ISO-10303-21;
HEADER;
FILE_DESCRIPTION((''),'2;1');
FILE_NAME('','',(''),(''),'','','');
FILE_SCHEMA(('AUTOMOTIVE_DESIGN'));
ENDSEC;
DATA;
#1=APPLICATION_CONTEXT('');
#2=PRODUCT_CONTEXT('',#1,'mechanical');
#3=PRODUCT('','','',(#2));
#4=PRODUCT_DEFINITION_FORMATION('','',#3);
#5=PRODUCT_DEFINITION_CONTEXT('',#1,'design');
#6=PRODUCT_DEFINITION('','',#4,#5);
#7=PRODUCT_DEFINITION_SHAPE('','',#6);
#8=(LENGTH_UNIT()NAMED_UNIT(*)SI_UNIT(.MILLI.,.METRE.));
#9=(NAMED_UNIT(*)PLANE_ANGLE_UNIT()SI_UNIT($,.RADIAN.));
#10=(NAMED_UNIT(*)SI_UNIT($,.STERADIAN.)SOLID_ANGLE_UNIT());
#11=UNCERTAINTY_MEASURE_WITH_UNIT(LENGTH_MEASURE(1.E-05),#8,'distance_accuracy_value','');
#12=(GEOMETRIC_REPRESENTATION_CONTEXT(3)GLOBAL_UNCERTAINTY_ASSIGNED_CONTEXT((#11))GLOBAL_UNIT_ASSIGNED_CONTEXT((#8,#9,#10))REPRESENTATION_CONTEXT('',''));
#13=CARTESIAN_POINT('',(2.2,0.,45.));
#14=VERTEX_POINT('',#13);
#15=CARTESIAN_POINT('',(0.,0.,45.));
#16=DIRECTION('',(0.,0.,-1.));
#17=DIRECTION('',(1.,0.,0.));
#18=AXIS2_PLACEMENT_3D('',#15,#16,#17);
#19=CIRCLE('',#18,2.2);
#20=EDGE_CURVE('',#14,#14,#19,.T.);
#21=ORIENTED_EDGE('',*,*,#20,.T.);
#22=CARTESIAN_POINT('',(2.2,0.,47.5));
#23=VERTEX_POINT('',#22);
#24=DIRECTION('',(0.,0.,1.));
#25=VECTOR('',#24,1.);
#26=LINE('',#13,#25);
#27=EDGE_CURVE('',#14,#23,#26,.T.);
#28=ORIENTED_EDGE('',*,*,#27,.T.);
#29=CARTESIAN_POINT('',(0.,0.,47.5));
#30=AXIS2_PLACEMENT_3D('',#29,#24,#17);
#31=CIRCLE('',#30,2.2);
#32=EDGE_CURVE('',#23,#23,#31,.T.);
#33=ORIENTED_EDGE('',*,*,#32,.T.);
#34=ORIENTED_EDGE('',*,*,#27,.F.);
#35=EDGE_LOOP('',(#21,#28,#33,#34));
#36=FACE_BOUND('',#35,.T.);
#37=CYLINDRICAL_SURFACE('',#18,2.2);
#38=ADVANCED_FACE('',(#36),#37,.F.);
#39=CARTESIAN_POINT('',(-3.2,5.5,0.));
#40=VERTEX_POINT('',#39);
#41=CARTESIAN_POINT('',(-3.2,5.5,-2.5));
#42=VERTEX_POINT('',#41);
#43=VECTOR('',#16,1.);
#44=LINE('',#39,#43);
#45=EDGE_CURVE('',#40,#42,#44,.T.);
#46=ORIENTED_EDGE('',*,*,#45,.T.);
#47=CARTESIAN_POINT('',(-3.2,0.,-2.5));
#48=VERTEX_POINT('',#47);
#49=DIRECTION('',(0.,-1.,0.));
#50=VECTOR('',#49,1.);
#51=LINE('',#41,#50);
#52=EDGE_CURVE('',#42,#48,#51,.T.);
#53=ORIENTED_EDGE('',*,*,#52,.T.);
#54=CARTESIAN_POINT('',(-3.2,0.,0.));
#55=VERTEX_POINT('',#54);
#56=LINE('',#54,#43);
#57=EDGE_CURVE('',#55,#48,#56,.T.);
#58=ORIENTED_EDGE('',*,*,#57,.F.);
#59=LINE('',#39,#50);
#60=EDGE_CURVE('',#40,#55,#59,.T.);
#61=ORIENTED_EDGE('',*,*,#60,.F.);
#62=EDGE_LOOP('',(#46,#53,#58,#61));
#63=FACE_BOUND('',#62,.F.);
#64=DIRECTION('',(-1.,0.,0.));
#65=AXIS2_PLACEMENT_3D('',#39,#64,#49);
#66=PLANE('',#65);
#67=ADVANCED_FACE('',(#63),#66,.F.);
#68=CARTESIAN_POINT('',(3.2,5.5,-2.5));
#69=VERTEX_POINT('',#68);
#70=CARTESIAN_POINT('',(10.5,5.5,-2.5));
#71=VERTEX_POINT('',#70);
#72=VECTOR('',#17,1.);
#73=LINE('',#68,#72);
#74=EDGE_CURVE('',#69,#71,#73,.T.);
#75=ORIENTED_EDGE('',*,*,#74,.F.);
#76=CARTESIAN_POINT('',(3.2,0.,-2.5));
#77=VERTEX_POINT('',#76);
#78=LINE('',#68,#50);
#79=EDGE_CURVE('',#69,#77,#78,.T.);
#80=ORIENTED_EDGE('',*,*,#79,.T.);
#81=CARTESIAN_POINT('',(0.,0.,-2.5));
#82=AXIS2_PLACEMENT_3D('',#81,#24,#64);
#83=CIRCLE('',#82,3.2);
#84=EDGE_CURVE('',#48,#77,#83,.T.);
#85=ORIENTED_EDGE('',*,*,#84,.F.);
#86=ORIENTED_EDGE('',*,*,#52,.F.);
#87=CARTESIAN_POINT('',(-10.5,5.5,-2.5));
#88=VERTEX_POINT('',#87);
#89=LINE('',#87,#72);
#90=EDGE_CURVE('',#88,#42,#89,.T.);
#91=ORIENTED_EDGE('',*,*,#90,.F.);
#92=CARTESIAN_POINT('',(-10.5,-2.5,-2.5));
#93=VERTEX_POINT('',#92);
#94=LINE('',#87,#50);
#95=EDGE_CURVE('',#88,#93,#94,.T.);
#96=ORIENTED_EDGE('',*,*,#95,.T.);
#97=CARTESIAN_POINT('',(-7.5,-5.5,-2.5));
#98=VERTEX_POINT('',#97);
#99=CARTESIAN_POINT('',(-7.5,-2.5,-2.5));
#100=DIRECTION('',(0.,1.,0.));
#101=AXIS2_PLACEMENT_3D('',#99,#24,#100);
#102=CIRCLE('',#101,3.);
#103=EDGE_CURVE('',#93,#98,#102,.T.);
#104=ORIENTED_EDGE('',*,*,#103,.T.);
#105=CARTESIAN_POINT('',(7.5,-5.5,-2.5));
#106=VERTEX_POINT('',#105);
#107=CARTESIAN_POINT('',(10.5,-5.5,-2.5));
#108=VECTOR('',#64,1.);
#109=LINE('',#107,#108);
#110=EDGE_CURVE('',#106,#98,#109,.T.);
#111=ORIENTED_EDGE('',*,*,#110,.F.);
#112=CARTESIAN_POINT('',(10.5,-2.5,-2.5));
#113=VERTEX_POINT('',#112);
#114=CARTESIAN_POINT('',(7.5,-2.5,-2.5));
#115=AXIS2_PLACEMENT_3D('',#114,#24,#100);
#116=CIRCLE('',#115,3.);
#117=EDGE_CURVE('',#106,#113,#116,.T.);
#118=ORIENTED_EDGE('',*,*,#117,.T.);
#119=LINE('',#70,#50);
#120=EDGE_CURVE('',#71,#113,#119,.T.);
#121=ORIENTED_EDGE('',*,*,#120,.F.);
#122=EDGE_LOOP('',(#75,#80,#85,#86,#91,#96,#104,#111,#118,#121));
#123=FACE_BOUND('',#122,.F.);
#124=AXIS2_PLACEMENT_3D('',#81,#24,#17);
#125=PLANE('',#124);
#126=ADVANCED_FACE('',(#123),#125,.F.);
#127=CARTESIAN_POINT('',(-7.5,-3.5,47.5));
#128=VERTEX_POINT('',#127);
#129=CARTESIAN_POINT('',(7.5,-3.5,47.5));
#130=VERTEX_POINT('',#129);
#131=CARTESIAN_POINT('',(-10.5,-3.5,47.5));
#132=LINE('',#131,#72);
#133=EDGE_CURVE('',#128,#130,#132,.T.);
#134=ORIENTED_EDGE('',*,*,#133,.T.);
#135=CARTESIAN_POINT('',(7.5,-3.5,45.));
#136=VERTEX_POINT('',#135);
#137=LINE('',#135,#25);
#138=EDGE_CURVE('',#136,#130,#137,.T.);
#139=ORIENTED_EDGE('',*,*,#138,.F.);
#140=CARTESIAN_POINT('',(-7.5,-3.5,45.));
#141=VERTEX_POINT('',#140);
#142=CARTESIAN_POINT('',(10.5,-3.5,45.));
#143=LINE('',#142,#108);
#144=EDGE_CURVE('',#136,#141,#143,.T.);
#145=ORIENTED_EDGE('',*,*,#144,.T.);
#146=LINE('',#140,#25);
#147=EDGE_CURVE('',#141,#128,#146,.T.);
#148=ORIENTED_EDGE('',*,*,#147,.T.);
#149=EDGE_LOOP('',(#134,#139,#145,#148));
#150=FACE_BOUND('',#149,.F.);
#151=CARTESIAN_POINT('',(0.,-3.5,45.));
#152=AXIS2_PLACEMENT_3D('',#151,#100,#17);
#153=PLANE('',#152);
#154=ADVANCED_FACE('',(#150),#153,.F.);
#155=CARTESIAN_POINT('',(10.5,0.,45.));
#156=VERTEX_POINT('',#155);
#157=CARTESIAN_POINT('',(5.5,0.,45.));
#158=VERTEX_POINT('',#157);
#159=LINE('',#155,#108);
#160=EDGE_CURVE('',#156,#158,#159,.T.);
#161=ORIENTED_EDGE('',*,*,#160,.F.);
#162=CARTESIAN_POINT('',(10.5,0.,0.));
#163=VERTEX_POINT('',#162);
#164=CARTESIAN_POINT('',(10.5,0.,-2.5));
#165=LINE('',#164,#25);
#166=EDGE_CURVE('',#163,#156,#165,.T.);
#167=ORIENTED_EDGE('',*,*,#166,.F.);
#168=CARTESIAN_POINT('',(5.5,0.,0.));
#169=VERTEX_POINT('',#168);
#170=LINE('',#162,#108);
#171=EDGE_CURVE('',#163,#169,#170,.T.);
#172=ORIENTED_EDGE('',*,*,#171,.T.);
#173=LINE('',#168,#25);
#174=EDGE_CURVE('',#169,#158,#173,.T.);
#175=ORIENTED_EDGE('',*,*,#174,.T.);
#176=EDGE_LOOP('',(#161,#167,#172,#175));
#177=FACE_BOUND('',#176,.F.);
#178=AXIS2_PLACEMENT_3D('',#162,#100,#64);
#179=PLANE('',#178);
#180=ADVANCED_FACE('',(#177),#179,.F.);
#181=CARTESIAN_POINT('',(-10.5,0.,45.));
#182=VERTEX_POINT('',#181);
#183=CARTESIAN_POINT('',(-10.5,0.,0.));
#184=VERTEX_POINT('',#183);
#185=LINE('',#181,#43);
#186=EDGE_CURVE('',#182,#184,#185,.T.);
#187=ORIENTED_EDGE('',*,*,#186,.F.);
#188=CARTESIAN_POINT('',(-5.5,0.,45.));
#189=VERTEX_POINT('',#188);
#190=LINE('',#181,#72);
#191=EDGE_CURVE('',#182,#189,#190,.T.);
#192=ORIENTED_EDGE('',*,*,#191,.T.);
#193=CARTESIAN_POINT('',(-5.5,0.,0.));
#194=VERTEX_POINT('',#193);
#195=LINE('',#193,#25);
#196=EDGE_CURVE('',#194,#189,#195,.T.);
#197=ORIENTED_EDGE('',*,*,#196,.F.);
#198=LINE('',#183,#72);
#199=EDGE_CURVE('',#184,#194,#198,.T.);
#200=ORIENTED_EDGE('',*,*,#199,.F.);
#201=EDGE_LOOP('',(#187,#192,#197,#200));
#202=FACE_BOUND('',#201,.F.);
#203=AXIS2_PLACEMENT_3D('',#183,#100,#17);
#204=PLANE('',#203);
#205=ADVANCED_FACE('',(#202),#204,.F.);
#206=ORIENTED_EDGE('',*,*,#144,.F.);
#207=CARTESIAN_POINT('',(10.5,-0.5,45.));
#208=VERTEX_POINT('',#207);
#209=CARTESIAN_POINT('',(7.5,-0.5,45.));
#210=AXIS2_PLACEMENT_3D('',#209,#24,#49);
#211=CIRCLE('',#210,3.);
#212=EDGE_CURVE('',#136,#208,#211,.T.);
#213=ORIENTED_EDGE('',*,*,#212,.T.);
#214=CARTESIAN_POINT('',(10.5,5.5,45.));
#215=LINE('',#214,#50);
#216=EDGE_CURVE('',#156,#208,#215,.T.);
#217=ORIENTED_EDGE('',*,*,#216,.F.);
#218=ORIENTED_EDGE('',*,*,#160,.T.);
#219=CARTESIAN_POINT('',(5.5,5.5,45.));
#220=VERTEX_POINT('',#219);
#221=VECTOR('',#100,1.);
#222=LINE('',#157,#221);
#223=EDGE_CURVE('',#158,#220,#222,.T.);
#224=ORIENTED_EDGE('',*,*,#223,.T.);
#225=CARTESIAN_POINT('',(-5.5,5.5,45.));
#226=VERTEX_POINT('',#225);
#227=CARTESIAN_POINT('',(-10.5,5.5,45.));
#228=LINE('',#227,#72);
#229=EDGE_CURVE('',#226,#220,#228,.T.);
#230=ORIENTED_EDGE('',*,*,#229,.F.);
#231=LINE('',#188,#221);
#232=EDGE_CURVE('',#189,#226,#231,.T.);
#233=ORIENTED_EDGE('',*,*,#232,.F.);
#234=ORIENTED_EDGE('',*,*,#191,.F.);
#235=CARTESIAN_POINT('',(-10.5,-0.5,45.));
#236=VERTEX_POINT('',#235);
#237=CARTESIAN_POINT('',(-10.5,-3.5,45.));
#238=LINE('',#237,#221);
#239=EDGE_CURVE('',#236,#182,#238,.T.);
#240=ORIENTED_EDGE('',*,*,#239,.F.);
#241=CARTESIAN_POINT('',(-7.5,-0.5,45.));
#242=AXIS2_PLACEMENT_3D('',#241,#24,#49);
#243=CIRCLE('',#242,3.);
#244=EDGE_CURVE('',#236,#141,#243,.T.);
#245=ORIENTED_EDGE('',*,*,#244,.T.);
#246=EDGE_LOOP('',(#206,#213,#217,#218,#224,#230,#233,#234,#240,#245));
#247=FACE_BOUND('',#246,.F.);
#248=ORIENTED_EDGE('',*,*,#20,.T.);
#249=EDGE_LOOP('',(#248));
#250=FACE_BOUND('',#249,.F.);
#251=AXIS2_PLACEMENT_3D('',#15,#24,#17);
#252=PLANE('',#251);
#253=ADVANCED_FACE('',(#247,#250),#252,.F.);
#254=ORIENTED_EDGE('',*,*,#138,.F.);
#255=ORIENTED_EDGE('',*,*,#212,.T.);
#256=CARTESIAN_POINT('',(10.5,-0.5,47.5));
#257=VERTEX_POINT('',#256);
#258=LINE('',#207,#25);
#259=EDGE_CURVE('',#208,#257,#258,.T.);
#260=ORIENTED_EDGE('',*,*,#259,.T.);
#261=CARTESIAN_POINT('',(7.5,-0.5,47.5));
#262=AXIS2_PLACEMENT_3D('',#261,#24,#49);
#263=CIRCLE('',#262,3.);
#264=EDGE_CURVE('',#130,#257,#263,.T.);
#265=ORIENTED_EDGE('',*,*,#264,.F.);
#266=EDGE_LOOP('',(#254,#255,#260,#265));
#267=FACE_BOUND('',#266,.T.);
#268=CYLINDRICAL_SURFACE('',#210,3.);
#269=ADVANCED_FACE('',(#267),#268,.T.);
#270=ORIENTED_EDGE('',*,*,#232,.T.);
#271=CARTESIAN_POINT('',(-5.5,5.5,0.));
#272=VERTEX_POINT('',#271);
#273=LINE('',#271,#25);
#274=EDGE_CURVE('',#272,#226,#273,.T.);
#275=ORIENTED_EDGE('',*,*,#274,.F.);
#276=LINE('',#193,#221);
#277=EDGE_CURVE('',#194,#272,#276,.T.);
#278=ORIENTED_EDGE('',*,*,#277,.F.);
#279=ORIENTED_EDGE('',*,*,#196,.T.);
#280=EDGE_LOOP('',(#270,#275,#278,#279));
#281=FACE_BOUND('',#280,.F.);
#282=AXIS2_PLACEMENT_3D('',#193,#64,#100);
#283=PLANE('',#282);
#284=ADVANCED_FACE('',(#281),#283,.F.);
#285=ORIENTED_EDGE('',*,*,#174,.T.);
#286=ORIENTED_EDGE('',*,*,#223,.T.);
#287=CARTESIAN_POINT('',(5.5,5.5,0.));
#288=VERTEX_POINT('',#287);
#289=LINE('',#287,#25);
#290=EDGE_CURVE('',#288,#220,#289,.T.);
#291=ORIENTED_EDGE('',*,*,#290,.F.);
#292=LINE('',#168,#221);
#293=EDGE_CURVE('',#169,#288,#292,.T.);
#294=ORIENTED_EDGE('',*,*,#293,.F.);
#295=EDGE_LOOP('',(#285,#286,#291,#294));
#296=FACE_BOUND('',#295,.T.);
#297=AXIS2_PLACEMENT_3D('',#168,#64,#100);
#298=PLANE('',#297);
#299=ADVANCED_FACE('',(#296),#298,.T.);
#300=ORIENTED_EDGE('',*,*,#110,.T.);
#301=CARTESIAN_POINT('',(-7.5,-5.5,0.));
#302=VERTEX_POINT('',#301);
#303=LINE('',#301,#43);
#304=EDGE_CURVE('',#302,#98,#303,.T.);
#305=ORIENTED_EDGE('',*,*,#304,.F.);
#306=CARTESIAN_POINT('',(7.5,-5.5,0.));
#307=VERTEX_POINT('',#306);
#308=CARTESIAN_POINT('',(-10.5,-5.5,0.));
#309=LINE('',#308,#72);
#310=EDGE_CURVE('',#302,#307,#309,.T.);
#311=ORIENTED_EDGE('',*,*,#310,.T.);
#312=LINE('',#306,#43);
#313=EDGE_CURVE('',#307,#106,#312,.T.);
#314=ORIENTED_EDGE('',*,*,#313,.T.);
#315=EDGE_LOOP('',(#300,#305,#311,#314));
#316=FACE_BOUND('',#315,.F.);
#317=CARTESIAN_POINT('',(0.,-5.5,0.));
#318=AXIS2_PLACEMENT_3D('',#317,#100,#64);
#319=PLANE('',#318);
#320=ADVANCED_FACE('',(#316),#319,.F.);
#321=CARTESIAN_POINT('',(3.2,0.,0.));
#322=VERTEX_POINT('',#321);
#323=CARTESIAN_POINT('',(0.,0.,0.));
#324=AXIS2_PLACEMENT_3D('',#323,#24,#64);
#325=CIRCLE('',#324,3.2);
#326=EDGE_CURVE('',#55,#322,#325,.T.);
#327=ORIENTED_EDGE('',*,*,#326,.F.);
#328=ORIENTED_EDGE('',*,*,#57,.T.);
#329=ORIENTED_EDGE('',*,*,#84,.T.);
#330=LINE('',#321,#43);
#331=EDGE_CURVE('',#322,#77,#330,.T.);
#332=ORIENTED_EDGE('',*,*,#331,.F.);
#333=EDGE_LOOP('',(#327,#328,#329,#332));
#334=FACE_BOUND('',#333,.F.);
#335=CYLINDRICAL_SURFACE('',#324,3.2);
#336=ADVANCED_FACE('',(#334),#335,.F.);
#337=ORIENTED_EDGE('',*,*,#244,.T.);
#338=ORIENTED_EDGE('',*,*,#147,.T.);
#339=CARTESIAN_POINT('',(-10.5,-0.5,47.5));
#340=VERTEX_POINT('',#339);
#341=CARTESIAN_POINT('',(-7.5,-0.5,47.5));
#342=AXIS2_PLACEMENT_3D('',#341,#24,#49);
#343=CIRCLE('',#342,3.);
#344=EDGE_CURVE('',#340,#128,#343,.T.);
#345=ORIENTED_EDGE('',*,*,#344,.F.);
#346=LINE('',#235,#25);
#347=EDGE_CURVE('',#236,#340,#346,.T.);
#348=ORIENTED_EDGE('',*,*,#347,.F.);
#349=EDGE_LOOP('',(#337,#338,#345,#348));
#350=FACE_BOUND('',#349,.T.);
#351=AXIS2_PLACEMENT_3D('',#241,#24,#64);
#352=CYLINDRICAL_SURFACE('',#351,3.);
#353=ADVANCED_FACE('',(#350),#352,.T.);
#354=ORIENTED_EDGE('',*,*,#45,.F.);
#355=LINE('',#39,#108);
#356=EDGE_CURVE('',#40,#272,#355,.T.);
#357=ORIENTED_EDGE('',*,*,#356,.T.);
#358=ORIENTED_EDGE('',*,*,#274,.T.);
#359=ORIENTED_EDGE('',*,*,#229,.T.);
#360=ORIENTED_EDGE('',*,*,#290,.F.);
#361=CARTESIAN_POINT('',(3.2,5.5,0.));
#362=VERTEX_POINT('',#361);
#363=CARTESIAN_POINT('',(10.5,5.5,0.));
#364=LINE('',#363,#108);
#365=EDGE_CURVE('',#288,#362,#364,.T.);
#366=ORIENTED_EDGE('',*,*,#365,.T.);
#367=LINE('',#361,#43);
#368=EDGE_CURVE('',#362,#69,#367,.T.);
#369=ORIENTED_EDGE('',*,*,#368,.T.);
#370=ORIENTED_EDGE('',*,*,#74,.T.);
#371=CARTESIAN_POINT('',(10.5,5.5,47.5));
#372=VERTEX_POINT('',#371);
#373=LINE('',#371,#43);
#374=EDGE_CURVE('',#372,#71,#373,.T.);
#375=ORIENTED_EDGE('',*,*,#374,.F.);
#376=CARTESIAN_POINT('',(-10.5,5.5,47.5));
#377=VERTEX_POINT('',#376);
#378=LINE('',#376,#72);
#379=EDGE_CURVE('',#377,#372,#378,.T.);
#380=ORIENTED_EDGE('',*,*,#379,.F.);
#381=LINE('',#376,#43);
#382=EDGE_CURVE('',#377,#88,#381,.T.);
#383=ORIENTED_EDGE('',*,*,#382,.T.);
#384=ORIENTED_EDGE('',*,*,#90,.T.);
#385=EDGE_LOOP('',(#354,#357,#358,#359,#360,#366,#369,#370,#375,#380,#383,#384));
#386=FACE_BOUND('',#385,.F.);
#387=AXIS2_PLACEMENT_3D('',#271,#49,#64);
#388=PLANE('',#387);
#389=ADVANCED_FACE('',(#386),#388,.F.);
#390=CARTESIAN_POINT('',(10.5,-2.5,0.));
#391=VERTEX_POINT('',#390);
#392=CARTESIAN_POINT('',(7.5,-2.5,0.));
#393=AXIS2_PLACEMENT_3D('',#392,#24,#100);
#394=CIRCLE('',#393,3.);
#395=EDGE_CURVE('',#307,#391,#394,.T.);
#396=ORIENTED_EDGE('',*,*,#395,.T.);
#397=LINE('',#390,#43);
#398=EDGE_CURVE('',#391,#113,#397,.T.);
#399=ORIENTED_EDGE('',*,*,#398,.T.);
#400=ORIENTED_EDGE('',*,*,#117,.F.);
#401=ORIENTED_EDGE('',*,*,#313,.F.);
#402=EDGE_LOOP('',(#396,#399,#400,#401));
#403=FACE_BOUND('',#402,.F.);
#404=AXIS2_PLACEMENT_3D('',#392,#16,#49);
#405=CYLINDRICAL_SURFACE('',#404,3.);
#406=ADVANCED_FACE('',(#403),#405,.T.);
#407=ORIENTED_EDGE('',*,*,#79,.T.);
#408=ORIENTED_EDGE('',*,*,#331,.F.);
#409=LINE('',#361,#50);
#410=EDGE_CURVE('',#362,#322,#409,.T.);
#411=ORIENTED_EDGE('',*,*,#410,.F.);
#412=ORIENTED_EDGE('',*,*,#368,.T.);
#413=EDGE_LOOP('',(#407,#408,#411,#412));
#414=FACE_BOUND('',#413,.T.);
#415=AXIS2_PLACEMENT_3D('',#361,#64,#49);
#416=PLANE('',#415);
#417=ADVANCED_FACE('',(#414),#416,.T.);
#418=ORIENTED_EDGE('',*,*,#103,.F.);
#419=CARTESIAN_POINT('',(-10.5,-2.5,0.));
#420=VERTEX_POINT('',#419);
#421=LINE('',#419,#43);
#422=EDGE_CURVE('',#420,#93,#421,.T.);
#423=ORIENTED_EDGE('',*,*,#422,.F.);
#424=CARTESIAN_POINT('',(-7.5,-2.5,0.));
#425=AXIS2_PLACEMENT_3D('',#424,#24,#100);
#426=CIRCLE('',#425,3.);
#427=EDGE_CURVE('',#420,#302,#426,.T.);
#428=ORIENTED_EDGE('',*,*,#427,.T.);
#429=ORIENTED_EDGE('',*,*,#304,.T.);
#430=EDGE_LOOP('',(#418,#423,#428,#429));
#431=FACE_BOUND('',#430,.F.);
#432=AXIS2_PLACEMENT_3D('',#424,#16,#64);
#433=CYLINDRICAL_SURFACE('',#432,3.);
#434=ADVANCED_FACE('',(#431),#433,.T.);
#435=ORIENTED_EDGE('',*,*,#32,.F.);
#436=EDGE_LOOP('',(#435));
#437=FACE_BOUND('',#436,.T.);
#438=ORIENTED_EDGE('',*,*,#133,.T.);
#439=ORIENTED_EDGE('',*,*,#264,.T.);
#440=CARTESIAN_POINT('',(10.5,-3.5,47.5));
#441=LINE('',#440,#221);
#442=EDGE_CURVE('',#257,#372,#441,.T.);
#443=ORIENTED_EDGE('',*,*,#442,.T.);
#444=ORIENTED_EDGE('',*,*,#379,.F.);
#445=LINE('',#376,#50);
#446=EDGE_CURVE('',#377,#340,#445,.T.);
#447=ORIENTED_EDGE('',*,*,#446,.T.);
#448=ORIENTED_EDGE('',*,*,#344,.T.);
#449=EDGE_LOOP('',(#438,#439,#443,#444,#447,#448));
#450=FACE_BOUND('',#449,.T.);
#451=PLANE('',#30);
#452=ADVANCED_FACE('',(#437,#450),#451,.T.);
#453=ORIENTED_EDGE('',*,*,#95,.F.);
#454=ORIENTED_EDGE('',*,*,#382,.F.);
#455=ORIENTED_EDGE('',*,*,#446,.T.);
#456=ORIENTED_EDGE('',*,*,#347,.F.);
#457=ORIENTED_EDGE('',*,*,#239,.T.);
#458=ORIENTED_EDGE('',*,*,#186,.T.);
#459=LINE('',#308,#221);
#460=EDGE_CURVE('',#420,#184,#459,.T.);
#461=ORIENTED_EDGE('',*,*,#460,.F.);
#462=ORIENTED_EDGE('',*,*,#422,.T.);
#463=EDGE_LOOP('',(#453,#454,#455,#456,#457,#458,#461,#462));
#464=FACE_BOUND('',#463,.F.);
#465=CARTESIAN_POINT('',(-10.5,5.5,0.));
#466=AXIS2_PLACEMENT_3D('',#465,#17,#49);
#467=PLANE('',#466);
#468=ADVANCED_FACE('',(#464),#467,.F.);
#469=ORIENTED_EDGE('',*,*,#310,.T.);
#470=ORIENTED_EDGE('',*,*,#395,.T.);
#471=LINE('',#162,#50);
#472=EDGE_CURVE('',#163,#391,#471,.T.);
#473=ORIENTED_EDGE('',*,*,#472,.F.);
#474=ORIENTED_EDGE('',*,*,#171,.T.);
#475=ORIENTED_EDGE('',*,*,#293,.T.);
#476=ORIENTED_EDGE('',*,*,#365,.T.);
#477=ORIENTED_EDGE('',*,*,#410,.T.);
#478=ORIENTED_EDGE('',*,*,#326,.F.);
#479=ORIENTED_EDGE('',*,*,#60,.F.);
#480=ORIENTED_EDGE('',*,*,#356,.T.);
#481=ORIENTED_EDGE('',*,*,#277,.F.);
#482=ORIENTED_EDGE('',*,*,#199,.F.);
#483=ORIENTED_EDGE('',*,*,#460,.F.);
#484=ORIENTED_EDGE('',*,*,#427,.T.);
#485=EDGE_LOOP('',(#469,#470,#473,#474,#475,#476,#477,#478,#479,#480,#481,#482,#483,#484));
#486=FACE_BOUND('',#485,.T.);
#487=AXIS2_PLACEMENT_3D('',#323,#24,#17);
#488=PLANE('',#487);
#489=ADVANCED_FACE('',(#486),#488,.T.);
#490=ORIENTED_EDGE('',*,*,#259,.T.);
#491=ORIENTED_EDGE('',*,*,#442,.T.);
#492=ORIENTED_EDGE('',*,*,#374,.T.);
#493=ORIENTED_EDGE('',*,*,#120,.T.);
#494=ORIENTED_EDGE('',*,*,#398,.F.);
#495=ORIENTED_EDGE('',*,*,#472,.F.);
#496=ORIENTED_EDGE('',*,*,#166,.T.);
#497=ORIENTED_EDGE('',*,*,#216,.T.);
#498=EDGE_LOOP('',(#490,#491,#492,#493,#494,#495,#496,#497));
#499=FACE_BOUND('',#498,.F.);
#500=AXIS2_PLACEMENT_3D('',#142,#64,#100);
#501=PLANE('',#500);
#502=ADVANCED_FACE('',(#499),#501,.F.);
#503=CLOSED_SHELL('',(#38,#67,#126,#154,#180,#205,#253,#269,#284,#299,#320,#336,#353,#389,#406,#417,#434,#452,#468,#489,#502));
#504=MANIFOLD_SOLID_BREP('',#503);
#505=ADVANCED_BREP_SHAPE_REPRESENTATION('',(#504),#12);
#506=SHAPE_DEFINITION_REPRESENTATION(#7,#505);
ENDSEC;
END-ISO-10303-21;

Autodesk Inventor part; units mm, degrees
ref_plane "YZ Plane" through (0, 0, 0) normal (1, 0, 0) x (0, 1, 0)
ref_plane "XZ Plane" through (0, 0, 0) normal (0, 1, 0) x (-1, 0, 0)
ref_plane "XY Plane" through (0, 0, 0) normal (0, 0, 1) x (1, 0, 0)
sketch "Sketch1" plane through (0, 0, 0) normal (0, 0, 1) x (1, 0, 0)
  arc A0 (-3.2, 0) -> (3.2, 0) centre (0, 0) ccw
  arc A1 (-5.5, 0) -> (5.5, 0) centre (0, 0) ccw
  line L0 (-3.2, 0) -> (-5.5, 0)
  line L1 (-5.5, 0) -> (-5.5, 5.5)
  line L2 (-5.5, 5.5) -> (-3.2, 5.5)
  line L3 (-3.2, 5.5) -> (-3.2, 0)
  line L4 (3.2, 0) -> (5.5, 0)
  line L5 (5.5, 0) -> (5.5, 5.5)
  line L6 (5.5, 5.5) -> (3.2, 5.5)
  line L7 (3.2, 5.5) -> (3.2, 0)
  line L8 (-5.5, 0) -> (-5.5, 5.5)
  line L9 (-5.5, 5.5) -> (-10.5, 5.5)
  line L10 (-10.5, 5.5) -> (-10.5, 0)
  line L11 (-10.5, 0) -> (-5.5, 0)
  line L12 (5.5, 0) -> (5.5, 5.5)
  line L13 (5.5, 5.5) -> (10.5, 5.5)
  line L14 (10.5, 5.5) -> (10.5, 0)
  line L15 (10.5, 0) -> (5.5, 0)
  line L16 (10.5, 0) -> (10.5, -5.5)
  line L17 (10.5, -5.5) -> (-10.5, -5.5)
  line L18 (-10.5, -5.5) -> (-10.5, 0)
  dimension "d0" = 6.4
  dimension "d1" = 11
  dimension "d2" = 5
  dimension "d3" = 5
extrude "Extr-legs" add sketch "Sketch1" along normal blind 45 contours L11 L10 L9 L1 | L5 L13 L14 L15
extrude "Extr-base" add sketch "Sketch1" against normal blind 2.5 contours A0 L4 A1 L0 | L0 L1 L2 L3 | L7 L6 L5 L4 | L11 L10 L9 L1 | L5 L13 L14 L15
sketch "Sketch2" plane through (0, 0, 45) normal (0, 0, 1) x (1, 0, 0)
  circle A0 centre (0, 0) radius 2.2
  circle A1 centre (0, 0) radius 3.5
  line L0 (5.5, 0) -> (10.5, 0) projected
  line L1 (-10.5, 0) -> (-5.5, 0) projected
  line L2 (-10.5, 0) -> (-10.5, 5.5)
  line L3 (-10.5, 5.5) -> (10.5, 5.5)
  line L4 (10.5, 5.5) -> (10.5, 0)
  line L5 (10.5, 0) -> (2.2, 0)
  line L6 (-2.2, 0) -> (-10.5, 0)
  line L7 (-10.5, 0) -> (-10.5, -3.5)
  line L8 (-10.5, -3.5) -> (10.5, -3.5)
  line L9 (10.5, -3.5) -> (10.5, 0)
  dimension "d8" = 4.4
  dimension "d9" = 7
extrude "Extr-top" add sketch "Sketch2" along normal blind 2.5 contours L5 A1 L6 A0 | A0 L6 A1 L5 | L5 L0 L9 L8 A1 | A1 L6 L1 L2 L3 L4 L0 L5 | A1 L8 L7 L1 L6
extrude "Extrusion4" add sketch "Sketch1" against normal up to surface (2.5 mm away) contours A1 L17 L18 L11 | L15 L16 L17 A1
fillet "Fillet1" radius 3 4 edges at (10.5, -3.5, 46.25) (10.5, -5.5, -1.25) (-10.5, -3.5, 46.25) (-10.5, -5.5, -1.25)
properties part number "cage2table-mount-M4(top)-M6(bottom)"
